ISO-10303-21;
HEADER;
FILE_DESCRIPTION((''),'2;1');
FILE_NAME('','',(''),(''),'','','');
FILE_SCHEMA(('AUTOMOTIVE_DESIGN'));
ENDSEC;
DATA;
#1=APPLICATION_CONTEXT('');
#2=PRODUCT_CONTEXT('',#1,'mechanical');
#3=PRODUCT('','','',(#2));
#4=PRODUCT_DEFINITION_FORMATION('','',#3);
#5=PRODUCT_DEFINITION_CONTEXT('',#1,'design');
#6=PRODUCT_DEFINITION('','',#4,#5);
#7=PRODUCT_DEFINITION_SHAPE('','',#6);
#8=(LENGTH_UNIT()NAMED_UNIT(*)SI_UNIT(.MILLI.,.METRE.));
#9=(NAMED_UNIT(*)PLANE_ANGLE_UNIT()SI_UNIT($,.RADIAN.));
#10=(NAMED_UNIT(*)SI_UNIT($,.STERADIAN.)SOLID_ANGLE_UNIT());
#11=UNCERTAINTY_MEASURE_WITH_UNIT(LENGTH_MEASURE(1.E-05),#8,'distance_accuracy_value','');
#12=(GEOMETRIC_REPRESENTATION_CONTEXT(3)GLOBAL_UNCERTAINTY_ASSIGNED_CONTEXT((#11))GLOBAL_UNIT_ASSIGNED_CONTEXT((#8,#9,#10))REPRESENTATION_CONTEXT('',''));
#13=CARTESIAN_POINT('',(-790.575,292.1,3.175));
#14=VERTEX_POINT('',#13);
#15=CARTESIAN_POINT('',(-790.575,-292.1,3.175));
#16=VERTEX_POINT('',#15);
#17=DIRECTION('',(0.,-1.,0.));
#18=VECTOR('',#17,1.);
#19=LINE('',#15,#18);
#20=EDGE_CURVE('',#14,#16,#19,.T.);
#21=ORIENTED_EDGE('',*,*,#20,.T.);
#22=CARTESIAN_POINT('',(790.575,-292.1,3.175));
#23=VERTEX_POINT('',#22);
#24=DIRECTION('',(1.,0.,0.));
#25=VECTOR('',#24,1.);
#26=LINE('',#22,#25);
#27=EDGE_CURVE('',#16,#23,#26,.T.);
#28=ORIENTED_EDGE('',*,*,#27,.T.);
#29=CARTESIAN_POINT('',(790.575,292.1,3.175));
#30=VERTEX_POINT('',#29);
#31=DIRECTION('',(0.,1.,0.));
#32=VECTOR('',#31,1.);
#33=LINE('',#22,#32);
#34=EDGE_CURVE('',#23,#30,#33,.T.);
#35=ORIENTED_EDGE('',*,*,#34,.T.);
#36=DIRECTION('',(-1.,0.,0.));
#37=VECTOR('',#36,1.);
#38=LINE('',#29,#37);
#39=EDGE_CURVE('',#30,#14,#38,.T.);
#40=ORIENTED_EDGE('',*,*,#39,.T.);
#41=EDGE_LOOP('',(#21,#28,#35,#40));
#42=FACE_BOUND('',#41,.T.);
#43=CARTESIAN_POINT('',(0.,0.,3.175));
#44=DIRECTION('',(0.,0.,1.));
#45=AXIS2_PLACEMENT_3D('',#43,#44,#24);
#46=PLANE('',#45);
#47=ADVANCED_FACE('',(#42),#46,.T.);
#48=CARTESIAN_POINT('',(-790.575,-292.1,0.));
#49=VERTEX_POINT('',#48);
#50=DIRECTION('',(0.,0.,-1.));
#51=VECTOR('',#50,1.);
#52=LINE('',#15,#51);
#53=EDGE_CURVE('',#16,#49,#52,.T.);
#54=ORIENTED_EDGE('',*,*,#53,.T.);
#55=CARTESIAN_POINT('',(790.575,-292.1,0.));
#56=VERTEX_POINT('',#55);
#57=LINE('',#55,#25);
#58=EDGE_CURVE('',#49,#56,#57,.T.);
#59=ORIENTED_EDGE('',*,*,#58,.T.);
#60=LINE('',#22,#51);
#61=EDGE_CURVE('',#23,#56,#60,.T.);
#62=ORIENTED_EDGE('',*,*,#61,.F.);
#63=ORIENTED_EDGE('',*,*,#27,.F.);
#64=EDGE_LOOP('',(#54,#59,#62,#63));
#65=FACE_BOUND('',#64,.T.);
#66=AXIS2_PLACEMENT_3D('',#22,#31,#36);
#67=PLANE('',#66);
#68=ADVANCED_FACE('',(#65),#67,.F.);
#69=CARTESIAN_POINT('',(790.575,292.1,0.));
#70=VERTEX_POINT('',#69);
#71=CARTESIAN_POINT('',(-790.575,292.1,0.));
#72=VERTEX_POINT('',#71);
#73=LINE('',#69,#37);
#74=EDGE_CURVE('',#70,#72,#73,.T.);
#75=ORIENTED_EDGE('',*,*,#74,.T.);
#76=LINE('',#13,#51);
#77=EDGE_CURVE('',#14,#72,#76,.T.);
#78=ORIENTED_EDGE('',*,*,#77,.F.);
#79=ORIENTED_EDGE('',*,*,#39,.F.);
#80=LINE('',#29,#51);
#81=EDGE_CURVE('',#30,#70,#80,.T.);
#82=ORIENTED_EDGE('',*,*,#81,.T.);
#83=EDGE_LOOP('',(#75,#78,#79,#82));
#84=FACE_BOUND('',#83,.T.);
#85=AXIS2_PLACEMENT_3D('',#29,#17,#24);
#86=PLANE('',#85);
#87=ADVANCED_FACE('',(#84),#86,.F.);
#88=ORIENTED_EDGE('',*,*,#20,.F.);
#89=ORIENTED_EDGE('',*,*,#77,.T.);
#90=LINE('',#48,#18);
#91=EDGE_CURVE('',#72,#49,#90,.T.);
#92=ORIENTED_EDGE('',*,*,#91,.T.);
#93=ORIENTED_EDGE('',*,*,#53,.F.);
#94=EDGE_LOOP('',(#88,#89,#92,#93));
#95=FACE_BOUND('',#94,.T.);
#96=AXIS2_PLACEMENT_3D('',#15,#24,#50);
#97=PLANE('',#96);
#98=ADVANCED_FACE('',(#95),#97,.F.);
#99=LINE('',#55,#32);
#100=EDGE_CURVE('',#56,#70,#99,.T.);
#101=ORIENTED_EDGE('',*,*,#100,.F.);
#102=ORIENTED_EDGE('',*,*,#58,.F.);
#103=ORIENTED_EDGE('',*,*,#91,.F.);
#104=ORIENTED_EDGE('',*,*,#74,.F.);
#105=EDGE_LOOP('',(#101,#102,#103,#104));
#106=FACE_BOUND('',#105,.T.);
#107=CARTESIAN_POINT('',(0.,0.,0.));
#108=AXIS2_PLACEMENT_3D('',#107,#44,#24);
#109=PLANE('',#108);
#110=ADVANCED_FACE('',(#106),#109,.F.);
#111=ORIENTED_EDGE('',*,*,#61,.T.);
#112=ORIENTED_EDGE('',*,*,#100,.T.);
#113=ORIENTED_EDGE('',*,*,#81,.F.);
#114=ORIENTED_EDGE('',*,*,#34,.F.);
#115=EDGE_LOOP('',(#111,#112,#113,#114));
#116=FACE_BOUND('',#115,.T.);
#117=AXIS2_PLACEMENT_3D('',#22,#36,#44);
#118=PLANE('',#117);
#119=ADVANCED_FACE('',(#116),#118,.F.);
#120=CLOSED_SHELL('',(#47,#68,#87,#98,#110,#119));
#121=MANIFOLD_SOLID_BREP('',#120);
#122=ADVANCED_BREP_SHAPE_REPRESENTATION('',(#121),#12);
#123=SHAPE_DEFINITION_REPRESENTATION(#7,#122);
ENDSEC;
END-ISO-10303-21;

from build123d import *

# Parameters (mm, degrees)
SKETCH1_W           = 1581.15
SKETCH1_H           = 584.2
BOSS_EXTRUDE1_DEPTH = 3.175


with BuildPart() as part:
    # Sketch1 → Boss-Extrude1 (new body)
    with BuildSketch(Plane.XY):
        Rectangle(SKETCH1_W, SKETCH1_H)
    extrude(amount=BOSS_EXTRUDE1_DEPTH)


solid = part.part
